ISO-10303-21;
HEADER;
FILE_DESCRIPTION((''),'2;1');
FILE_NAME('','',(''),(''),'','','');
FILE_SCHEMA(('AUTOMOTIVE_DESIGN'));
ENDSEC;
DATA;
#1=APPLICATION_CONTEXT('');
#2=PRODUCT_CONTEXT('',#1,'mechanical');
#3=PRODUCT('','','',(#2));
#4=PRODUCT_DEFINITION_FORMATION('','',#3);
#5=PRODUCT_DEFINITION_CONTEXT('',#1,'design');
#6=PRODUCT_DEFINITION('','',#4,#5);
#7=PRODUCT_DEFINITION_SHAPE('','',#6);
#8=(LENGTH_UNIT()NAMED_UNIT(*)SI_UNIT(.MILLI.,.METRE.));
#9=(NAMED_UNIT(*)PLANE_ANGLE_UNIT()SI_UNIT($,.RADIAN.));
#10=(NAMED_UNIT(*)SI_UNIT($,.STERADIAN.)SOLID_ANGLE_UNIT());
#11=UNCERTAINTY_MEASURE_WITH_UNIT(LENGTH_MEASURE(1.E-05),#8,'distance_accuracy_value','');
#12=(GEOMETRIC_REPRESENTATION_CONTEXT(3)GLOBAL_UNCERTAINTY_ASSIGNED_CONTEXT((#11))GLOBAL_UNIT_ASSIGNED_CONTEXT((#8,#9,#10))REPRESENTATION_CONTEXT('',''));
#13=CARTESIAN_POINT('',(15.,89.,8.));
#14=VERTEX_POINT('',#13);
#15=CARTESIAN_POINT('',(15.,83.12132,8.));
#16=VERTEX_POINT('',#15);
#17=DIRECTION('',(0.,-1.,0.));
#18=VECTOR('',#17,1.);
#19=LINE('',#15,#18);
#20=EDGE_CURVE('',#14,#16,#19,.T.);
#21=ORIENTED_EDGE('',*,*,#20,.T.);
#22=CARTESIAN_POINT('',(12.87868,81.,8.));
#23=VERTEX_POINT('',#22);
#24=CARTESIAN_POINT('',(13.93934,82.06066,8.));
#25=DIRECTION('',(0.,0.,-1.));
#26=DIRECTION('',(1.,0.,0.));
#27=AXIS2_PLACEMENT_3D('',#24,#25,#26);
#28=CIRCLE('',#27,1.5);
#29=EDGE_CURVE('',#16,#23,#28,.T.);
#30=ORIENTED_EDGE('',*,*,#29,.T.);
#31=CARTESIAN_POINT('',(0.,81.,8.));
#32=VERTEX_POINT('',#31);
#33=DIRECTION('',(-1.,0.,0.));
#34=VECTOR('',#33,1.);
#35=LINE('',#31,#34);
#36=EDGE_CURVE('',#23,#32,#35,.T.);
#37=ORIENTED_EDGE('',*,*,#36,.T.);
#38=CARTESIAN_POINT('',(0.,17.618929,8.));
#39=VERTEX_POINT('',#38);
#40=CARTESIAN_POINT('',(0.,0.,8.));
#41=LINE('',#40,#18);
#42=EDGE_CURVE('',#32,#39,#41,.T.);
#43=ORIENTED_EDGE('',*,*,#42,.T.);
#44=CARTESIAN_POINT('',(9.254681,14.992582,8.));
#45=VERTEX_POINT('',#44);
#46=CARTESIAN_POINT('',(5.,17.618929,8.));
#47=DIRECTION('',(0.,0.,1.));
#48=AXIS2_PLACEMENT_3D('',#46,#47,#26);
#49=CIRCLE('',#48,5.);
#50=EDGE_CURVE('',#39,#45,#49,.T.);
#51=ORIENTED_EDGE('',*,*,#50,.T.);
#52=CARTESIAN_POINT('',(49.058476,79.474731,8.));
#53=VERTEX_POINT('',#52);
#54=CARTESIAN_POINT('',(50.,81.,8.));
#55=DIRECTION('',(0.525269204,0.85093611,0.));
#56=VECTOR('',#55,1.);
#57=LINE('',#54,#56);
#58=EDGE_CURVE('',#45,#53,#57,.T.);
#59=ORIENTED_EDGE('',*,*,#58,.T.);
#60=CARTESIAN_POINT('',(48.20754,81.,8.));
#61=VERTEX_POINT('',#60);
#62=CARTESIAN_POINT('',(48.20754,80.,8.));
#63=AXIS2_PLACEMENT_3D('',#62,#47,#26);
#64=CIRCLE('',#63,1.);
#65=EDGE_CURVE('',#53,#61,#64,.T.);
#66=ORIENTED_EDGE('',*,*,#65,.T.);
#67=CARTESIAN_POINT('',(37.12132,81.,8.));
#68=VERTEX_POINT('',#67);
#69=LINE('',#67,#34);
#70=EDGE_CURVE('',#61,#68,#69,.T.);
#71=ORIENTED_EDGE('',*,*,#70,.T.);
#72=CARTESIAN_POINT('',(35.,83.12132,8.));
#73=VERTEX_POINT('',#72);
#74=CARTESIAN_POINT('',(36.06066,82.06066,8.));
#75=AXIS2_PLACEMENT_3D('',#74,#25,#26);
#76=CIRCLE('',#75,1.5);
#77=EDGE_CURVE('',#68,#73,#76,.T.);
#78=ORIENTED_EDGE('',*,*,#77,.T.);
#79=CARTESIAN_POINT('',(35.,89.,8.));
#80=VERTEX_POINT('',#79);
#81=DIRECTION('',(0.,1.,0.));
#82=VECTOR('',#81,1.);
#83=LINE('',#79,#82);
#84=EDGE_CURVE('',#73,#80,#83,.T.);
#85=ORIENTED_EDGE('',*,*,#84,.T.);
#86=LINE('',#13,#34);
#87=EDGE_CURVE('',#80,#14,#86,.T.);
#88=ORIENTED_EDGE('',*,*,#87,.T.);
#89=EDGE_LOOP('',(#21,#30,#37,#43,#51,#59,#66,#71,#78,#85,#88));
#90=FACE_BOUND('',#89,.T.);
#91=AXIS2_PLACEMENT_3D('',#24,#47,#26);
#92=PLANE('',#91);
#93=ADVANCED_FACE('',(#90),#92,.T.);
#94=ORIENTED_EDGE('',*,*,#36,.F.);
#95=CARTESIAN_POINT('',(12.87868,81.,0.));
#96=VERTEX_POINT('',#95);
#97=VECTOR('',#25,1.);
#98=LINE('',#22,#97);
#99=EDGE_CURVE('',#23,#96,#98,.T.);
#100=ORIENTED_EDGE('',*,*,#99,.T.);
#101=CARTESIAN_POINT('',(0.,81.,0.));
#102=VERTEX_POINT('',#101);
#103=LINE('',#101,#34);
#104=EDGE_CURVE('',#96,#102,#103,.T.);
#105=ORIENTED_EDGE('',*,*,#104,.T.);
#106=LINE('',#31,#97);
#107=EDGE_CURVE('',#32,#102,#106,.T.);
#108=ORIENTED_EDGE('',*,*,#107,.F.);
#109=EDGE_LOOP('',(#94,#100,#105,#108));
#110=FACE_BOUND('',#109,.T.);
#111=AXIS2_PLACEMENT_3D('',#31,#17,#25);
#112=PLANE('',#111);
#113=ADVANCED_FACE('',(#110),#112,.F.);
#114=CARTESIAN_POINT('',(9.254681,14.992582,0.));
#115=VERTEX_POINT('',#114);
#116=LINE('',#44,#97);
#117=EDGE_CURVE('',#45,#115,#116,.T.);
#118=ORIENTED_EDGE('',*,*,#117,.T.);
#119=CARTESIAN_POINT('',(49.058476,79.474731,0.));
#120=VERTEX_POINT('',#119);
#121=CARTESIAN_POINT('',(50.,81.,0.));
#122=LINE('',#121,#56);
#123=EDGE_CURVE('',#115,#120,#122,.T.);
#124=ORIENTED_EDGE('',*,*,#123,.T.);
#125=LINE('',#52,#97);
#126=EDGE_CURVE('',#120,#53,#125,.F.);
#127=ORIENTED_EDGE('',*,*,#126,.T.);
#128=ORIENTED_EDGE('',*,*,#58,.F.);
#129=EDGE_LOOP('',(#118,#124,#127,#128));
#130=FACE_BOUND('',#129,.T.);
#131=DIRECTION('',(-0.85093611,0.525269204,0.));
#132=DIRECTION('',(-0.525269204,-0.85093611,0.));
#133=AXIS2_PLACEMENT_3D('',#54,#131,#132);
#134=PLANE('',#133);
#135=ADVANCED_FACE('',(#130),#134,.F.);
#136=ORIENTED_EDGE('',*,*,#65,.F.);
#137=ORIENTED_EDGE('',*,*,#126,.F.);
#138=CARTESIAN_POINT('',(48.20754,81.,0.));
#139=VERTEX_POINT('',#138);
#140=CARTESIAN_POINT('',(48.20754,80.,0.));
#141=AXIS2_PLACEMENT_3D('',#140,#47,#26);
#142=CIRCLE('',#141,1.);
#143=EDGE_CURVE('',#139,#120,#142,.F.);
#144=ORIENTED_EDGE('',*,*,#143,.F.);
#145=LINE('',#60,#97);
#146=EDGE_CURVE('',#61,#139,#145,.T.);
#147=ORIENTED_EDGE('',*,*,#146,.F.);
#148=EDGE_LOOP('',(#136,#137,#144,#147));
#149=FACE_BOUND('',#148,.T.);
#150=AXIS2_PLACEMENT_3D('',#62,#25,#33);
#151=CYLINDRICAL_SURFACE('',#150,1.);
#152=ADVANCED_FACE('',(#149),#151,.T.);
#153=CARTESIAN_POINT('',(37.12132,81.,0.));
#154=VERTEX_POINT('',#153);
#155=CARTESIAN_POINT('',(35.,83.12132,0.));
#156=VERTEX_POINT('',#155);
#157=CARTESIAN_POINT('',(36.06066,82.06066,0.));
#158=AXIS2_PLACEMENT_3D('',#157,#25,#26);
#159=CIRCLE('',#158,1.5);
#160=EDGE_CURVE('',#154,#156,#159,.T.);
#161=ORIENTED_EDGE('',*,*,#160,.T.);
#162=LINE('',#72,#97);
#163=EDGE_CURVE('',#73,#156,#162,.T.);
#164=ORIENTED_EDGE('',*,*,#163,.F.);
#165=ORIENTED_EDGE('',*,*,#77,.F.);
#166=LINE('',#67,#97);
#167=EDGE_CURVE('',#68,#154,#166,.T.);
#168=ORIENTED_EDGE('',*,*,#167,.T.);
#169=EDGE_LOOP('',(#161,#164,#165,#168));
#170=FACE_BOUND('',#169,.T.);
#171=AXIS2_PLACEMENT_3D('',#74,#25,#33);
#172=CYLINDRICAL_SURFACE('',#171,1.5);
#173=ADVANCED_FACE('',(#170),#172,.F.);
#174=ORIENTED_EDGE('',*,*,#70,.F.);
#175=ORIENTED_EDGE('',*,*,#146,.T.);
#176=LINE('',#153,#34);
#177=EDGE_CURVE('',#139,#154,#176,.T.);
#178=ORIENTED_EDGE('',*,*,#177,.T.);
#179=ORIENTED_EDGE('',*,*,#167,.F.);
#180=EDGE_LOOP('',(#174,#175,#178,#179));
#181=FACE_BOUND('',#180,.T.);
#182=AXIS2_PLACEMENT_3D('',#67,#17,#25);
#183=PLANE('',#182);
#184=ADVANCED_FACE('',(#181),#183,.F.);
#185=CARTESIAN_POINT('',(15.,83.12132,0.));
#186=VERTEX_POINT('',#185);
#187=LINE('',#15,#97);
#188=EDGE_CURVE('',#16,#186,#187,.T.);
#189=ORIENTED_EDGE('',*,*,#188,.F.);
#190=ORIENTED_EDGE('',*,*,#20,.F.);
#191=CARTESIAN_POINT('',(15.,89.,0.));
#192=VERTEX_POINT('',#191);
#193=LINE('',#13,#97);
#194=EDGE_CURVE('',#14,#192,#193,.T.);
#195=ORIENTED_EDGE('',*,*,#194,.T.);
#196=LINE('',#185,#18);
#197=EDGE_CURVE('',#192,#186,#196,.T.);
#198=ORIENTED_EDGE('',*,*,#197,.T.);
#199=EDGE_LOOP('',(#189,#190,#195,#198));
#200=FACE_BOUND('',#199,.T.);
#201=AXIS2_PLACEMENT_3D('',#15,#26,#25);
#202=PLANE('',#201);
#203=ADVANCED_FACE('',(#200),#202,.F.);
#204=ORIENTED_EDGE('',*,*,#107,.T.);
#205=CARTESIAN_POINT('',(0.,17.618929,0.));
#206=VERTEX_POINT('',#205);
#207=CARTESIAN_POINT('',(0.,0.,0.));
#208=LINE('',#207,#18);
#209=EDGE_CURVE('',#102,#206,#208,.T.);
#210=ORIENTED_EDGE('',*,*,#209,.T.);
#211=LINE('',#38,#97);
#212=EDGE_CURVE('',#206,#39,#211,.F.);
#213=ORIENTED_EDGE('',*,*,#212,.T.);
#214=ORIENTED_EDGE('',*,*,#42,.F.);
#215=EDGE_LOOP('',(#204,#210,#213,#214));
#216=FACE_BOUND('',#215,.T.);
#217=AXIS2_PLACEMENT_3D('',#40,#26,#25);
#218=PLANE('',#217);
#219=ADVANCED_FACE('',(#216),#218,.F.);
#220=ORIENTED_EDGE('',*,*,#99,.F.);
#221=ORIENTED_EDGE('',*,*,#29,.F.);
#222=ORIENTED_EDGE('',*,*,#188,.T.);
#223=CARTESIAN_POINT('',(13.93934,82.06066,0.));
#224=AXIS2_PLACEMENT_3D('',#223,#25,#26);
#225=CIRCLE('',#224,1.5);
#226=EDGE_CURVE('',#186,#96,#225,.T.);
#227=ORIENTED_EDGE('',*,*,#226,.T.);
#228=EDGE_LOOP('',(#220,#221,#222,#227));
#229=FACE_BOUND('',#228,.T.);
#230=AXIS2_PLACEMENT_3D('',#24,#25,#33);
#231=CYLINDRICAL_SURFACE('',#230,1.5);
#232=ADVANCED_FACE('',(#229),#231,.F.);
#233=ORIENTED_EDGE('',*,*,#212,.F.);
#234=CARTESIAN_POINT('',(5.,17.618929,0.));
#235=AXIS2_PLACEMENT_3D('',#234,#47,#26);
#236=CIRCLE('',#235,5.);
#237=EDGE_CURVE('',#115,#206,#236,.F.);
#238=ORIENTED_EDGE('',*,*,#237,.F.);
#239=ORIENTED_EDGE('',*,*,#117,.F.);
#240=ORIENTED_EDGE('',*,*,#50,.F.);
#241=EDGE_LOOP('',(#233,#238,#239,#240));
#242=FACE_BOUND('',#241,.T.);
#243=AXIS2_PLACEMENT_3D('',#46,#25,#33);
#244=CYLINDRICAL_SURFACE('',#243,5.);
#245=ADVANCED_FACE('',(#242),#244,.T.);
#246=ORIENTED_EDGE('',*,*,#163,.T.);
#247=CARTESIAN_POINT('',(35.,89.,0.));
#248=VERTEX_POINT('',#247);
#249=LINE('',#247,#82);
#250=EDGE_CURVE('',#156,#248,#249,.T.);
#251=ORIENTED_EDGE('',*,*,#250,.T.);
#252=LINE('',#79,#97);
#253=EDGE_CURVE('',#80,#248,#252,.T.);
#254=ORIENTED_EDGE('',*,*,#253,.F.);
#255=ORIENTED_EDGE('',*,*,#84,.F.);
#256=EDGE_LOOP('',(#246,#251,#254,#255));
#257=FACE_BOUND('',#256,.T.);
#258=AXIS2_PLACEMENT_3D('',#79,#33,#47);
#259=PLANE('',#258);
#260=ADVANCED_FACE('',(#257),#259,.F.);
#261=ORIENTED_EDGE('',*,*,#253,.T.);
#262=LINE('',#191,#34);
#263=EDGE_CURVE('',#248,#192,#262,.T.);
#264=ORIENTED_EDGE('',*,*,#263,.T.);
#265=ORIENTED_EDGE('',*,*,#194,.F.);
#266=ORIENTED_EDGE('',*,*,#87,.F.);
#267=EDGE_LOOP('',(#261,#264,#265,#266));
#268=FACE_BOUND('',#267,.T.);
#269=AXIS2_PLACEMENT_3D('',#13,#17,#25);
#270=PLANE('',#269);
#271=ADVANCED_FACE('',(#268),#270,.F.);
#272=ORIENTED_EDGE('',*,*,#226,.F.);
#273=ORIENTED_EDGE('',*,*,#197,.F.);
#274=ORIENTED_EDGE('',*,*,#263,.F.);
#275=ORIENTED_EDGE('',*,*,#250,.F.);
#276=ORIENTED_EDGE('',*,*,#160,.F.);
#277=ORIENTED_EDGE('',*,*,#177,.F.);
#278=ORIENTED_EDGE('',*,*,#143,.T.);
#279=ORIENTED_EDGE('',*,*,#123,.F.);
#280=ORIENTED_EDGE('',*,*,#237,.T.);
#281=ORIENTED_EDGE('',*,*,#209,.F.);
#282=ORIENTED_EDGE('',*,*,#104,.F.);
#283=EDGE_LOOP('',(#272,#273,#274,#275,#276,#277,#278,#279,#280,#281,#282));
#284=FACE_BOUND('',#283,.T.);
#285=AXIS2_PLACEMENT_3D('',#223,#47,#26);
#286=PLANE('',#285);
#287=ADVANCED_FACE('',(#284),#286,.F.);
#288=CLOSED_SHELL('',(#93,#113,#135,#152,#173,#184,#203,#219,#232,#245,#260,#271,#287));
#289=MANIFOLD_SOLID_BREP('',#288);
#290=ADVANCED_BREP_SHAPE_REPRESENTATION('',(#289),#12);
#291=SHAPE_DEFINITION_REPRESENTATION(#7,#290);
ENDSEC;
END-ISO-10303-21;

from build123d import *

# Parameters (mm, degrees)
BOSS_EXTRU_1_DEPTH = 8
CONG_1_R           = 5
CONG_2_R           = 1


with BuildPart() as part:
    # Esquisse1 → Boss.-Extru.1 (new body)
    with BuildSketch(Plane.XY):
        with BuildLine():
            Line((0, 0), (0, 81))
            Line((0, 81), (12.878679656, 81))
            ThreePointArc((12.878679656, 81), (15, 81), (15, 83.121320344))
            Line((15, 83.121320344), (15, 89))
            Line((15, 89), (35, 89))
            Line((35, 89), (35, 83.121320344))
            ThreePointArc((35, 83.121320344), (35, 81), (37.121320344, 81))
            Line((37.121320344, 81), (50, 81))
            Line((50, 81), (0, 0))
        make_face()
    extrude(amount=BOSS_EXTRU_1_DEPTH)

    # Congé1
    cong_1_edges = [part.edges().sort_by_distance(p)[0] for p in [
        (0, 0, 4),
    ]]
    fillet(cong_1_edges, radius=CONG_1_R)

    # Congé2
    cong_2_edges = [part.edges().sort_by_distance(p)[0] for p in [
        (50, 81, 4),
    ]]
    fillet(cong_2_edges, radius=CONG_2_R)


solid = part.part
